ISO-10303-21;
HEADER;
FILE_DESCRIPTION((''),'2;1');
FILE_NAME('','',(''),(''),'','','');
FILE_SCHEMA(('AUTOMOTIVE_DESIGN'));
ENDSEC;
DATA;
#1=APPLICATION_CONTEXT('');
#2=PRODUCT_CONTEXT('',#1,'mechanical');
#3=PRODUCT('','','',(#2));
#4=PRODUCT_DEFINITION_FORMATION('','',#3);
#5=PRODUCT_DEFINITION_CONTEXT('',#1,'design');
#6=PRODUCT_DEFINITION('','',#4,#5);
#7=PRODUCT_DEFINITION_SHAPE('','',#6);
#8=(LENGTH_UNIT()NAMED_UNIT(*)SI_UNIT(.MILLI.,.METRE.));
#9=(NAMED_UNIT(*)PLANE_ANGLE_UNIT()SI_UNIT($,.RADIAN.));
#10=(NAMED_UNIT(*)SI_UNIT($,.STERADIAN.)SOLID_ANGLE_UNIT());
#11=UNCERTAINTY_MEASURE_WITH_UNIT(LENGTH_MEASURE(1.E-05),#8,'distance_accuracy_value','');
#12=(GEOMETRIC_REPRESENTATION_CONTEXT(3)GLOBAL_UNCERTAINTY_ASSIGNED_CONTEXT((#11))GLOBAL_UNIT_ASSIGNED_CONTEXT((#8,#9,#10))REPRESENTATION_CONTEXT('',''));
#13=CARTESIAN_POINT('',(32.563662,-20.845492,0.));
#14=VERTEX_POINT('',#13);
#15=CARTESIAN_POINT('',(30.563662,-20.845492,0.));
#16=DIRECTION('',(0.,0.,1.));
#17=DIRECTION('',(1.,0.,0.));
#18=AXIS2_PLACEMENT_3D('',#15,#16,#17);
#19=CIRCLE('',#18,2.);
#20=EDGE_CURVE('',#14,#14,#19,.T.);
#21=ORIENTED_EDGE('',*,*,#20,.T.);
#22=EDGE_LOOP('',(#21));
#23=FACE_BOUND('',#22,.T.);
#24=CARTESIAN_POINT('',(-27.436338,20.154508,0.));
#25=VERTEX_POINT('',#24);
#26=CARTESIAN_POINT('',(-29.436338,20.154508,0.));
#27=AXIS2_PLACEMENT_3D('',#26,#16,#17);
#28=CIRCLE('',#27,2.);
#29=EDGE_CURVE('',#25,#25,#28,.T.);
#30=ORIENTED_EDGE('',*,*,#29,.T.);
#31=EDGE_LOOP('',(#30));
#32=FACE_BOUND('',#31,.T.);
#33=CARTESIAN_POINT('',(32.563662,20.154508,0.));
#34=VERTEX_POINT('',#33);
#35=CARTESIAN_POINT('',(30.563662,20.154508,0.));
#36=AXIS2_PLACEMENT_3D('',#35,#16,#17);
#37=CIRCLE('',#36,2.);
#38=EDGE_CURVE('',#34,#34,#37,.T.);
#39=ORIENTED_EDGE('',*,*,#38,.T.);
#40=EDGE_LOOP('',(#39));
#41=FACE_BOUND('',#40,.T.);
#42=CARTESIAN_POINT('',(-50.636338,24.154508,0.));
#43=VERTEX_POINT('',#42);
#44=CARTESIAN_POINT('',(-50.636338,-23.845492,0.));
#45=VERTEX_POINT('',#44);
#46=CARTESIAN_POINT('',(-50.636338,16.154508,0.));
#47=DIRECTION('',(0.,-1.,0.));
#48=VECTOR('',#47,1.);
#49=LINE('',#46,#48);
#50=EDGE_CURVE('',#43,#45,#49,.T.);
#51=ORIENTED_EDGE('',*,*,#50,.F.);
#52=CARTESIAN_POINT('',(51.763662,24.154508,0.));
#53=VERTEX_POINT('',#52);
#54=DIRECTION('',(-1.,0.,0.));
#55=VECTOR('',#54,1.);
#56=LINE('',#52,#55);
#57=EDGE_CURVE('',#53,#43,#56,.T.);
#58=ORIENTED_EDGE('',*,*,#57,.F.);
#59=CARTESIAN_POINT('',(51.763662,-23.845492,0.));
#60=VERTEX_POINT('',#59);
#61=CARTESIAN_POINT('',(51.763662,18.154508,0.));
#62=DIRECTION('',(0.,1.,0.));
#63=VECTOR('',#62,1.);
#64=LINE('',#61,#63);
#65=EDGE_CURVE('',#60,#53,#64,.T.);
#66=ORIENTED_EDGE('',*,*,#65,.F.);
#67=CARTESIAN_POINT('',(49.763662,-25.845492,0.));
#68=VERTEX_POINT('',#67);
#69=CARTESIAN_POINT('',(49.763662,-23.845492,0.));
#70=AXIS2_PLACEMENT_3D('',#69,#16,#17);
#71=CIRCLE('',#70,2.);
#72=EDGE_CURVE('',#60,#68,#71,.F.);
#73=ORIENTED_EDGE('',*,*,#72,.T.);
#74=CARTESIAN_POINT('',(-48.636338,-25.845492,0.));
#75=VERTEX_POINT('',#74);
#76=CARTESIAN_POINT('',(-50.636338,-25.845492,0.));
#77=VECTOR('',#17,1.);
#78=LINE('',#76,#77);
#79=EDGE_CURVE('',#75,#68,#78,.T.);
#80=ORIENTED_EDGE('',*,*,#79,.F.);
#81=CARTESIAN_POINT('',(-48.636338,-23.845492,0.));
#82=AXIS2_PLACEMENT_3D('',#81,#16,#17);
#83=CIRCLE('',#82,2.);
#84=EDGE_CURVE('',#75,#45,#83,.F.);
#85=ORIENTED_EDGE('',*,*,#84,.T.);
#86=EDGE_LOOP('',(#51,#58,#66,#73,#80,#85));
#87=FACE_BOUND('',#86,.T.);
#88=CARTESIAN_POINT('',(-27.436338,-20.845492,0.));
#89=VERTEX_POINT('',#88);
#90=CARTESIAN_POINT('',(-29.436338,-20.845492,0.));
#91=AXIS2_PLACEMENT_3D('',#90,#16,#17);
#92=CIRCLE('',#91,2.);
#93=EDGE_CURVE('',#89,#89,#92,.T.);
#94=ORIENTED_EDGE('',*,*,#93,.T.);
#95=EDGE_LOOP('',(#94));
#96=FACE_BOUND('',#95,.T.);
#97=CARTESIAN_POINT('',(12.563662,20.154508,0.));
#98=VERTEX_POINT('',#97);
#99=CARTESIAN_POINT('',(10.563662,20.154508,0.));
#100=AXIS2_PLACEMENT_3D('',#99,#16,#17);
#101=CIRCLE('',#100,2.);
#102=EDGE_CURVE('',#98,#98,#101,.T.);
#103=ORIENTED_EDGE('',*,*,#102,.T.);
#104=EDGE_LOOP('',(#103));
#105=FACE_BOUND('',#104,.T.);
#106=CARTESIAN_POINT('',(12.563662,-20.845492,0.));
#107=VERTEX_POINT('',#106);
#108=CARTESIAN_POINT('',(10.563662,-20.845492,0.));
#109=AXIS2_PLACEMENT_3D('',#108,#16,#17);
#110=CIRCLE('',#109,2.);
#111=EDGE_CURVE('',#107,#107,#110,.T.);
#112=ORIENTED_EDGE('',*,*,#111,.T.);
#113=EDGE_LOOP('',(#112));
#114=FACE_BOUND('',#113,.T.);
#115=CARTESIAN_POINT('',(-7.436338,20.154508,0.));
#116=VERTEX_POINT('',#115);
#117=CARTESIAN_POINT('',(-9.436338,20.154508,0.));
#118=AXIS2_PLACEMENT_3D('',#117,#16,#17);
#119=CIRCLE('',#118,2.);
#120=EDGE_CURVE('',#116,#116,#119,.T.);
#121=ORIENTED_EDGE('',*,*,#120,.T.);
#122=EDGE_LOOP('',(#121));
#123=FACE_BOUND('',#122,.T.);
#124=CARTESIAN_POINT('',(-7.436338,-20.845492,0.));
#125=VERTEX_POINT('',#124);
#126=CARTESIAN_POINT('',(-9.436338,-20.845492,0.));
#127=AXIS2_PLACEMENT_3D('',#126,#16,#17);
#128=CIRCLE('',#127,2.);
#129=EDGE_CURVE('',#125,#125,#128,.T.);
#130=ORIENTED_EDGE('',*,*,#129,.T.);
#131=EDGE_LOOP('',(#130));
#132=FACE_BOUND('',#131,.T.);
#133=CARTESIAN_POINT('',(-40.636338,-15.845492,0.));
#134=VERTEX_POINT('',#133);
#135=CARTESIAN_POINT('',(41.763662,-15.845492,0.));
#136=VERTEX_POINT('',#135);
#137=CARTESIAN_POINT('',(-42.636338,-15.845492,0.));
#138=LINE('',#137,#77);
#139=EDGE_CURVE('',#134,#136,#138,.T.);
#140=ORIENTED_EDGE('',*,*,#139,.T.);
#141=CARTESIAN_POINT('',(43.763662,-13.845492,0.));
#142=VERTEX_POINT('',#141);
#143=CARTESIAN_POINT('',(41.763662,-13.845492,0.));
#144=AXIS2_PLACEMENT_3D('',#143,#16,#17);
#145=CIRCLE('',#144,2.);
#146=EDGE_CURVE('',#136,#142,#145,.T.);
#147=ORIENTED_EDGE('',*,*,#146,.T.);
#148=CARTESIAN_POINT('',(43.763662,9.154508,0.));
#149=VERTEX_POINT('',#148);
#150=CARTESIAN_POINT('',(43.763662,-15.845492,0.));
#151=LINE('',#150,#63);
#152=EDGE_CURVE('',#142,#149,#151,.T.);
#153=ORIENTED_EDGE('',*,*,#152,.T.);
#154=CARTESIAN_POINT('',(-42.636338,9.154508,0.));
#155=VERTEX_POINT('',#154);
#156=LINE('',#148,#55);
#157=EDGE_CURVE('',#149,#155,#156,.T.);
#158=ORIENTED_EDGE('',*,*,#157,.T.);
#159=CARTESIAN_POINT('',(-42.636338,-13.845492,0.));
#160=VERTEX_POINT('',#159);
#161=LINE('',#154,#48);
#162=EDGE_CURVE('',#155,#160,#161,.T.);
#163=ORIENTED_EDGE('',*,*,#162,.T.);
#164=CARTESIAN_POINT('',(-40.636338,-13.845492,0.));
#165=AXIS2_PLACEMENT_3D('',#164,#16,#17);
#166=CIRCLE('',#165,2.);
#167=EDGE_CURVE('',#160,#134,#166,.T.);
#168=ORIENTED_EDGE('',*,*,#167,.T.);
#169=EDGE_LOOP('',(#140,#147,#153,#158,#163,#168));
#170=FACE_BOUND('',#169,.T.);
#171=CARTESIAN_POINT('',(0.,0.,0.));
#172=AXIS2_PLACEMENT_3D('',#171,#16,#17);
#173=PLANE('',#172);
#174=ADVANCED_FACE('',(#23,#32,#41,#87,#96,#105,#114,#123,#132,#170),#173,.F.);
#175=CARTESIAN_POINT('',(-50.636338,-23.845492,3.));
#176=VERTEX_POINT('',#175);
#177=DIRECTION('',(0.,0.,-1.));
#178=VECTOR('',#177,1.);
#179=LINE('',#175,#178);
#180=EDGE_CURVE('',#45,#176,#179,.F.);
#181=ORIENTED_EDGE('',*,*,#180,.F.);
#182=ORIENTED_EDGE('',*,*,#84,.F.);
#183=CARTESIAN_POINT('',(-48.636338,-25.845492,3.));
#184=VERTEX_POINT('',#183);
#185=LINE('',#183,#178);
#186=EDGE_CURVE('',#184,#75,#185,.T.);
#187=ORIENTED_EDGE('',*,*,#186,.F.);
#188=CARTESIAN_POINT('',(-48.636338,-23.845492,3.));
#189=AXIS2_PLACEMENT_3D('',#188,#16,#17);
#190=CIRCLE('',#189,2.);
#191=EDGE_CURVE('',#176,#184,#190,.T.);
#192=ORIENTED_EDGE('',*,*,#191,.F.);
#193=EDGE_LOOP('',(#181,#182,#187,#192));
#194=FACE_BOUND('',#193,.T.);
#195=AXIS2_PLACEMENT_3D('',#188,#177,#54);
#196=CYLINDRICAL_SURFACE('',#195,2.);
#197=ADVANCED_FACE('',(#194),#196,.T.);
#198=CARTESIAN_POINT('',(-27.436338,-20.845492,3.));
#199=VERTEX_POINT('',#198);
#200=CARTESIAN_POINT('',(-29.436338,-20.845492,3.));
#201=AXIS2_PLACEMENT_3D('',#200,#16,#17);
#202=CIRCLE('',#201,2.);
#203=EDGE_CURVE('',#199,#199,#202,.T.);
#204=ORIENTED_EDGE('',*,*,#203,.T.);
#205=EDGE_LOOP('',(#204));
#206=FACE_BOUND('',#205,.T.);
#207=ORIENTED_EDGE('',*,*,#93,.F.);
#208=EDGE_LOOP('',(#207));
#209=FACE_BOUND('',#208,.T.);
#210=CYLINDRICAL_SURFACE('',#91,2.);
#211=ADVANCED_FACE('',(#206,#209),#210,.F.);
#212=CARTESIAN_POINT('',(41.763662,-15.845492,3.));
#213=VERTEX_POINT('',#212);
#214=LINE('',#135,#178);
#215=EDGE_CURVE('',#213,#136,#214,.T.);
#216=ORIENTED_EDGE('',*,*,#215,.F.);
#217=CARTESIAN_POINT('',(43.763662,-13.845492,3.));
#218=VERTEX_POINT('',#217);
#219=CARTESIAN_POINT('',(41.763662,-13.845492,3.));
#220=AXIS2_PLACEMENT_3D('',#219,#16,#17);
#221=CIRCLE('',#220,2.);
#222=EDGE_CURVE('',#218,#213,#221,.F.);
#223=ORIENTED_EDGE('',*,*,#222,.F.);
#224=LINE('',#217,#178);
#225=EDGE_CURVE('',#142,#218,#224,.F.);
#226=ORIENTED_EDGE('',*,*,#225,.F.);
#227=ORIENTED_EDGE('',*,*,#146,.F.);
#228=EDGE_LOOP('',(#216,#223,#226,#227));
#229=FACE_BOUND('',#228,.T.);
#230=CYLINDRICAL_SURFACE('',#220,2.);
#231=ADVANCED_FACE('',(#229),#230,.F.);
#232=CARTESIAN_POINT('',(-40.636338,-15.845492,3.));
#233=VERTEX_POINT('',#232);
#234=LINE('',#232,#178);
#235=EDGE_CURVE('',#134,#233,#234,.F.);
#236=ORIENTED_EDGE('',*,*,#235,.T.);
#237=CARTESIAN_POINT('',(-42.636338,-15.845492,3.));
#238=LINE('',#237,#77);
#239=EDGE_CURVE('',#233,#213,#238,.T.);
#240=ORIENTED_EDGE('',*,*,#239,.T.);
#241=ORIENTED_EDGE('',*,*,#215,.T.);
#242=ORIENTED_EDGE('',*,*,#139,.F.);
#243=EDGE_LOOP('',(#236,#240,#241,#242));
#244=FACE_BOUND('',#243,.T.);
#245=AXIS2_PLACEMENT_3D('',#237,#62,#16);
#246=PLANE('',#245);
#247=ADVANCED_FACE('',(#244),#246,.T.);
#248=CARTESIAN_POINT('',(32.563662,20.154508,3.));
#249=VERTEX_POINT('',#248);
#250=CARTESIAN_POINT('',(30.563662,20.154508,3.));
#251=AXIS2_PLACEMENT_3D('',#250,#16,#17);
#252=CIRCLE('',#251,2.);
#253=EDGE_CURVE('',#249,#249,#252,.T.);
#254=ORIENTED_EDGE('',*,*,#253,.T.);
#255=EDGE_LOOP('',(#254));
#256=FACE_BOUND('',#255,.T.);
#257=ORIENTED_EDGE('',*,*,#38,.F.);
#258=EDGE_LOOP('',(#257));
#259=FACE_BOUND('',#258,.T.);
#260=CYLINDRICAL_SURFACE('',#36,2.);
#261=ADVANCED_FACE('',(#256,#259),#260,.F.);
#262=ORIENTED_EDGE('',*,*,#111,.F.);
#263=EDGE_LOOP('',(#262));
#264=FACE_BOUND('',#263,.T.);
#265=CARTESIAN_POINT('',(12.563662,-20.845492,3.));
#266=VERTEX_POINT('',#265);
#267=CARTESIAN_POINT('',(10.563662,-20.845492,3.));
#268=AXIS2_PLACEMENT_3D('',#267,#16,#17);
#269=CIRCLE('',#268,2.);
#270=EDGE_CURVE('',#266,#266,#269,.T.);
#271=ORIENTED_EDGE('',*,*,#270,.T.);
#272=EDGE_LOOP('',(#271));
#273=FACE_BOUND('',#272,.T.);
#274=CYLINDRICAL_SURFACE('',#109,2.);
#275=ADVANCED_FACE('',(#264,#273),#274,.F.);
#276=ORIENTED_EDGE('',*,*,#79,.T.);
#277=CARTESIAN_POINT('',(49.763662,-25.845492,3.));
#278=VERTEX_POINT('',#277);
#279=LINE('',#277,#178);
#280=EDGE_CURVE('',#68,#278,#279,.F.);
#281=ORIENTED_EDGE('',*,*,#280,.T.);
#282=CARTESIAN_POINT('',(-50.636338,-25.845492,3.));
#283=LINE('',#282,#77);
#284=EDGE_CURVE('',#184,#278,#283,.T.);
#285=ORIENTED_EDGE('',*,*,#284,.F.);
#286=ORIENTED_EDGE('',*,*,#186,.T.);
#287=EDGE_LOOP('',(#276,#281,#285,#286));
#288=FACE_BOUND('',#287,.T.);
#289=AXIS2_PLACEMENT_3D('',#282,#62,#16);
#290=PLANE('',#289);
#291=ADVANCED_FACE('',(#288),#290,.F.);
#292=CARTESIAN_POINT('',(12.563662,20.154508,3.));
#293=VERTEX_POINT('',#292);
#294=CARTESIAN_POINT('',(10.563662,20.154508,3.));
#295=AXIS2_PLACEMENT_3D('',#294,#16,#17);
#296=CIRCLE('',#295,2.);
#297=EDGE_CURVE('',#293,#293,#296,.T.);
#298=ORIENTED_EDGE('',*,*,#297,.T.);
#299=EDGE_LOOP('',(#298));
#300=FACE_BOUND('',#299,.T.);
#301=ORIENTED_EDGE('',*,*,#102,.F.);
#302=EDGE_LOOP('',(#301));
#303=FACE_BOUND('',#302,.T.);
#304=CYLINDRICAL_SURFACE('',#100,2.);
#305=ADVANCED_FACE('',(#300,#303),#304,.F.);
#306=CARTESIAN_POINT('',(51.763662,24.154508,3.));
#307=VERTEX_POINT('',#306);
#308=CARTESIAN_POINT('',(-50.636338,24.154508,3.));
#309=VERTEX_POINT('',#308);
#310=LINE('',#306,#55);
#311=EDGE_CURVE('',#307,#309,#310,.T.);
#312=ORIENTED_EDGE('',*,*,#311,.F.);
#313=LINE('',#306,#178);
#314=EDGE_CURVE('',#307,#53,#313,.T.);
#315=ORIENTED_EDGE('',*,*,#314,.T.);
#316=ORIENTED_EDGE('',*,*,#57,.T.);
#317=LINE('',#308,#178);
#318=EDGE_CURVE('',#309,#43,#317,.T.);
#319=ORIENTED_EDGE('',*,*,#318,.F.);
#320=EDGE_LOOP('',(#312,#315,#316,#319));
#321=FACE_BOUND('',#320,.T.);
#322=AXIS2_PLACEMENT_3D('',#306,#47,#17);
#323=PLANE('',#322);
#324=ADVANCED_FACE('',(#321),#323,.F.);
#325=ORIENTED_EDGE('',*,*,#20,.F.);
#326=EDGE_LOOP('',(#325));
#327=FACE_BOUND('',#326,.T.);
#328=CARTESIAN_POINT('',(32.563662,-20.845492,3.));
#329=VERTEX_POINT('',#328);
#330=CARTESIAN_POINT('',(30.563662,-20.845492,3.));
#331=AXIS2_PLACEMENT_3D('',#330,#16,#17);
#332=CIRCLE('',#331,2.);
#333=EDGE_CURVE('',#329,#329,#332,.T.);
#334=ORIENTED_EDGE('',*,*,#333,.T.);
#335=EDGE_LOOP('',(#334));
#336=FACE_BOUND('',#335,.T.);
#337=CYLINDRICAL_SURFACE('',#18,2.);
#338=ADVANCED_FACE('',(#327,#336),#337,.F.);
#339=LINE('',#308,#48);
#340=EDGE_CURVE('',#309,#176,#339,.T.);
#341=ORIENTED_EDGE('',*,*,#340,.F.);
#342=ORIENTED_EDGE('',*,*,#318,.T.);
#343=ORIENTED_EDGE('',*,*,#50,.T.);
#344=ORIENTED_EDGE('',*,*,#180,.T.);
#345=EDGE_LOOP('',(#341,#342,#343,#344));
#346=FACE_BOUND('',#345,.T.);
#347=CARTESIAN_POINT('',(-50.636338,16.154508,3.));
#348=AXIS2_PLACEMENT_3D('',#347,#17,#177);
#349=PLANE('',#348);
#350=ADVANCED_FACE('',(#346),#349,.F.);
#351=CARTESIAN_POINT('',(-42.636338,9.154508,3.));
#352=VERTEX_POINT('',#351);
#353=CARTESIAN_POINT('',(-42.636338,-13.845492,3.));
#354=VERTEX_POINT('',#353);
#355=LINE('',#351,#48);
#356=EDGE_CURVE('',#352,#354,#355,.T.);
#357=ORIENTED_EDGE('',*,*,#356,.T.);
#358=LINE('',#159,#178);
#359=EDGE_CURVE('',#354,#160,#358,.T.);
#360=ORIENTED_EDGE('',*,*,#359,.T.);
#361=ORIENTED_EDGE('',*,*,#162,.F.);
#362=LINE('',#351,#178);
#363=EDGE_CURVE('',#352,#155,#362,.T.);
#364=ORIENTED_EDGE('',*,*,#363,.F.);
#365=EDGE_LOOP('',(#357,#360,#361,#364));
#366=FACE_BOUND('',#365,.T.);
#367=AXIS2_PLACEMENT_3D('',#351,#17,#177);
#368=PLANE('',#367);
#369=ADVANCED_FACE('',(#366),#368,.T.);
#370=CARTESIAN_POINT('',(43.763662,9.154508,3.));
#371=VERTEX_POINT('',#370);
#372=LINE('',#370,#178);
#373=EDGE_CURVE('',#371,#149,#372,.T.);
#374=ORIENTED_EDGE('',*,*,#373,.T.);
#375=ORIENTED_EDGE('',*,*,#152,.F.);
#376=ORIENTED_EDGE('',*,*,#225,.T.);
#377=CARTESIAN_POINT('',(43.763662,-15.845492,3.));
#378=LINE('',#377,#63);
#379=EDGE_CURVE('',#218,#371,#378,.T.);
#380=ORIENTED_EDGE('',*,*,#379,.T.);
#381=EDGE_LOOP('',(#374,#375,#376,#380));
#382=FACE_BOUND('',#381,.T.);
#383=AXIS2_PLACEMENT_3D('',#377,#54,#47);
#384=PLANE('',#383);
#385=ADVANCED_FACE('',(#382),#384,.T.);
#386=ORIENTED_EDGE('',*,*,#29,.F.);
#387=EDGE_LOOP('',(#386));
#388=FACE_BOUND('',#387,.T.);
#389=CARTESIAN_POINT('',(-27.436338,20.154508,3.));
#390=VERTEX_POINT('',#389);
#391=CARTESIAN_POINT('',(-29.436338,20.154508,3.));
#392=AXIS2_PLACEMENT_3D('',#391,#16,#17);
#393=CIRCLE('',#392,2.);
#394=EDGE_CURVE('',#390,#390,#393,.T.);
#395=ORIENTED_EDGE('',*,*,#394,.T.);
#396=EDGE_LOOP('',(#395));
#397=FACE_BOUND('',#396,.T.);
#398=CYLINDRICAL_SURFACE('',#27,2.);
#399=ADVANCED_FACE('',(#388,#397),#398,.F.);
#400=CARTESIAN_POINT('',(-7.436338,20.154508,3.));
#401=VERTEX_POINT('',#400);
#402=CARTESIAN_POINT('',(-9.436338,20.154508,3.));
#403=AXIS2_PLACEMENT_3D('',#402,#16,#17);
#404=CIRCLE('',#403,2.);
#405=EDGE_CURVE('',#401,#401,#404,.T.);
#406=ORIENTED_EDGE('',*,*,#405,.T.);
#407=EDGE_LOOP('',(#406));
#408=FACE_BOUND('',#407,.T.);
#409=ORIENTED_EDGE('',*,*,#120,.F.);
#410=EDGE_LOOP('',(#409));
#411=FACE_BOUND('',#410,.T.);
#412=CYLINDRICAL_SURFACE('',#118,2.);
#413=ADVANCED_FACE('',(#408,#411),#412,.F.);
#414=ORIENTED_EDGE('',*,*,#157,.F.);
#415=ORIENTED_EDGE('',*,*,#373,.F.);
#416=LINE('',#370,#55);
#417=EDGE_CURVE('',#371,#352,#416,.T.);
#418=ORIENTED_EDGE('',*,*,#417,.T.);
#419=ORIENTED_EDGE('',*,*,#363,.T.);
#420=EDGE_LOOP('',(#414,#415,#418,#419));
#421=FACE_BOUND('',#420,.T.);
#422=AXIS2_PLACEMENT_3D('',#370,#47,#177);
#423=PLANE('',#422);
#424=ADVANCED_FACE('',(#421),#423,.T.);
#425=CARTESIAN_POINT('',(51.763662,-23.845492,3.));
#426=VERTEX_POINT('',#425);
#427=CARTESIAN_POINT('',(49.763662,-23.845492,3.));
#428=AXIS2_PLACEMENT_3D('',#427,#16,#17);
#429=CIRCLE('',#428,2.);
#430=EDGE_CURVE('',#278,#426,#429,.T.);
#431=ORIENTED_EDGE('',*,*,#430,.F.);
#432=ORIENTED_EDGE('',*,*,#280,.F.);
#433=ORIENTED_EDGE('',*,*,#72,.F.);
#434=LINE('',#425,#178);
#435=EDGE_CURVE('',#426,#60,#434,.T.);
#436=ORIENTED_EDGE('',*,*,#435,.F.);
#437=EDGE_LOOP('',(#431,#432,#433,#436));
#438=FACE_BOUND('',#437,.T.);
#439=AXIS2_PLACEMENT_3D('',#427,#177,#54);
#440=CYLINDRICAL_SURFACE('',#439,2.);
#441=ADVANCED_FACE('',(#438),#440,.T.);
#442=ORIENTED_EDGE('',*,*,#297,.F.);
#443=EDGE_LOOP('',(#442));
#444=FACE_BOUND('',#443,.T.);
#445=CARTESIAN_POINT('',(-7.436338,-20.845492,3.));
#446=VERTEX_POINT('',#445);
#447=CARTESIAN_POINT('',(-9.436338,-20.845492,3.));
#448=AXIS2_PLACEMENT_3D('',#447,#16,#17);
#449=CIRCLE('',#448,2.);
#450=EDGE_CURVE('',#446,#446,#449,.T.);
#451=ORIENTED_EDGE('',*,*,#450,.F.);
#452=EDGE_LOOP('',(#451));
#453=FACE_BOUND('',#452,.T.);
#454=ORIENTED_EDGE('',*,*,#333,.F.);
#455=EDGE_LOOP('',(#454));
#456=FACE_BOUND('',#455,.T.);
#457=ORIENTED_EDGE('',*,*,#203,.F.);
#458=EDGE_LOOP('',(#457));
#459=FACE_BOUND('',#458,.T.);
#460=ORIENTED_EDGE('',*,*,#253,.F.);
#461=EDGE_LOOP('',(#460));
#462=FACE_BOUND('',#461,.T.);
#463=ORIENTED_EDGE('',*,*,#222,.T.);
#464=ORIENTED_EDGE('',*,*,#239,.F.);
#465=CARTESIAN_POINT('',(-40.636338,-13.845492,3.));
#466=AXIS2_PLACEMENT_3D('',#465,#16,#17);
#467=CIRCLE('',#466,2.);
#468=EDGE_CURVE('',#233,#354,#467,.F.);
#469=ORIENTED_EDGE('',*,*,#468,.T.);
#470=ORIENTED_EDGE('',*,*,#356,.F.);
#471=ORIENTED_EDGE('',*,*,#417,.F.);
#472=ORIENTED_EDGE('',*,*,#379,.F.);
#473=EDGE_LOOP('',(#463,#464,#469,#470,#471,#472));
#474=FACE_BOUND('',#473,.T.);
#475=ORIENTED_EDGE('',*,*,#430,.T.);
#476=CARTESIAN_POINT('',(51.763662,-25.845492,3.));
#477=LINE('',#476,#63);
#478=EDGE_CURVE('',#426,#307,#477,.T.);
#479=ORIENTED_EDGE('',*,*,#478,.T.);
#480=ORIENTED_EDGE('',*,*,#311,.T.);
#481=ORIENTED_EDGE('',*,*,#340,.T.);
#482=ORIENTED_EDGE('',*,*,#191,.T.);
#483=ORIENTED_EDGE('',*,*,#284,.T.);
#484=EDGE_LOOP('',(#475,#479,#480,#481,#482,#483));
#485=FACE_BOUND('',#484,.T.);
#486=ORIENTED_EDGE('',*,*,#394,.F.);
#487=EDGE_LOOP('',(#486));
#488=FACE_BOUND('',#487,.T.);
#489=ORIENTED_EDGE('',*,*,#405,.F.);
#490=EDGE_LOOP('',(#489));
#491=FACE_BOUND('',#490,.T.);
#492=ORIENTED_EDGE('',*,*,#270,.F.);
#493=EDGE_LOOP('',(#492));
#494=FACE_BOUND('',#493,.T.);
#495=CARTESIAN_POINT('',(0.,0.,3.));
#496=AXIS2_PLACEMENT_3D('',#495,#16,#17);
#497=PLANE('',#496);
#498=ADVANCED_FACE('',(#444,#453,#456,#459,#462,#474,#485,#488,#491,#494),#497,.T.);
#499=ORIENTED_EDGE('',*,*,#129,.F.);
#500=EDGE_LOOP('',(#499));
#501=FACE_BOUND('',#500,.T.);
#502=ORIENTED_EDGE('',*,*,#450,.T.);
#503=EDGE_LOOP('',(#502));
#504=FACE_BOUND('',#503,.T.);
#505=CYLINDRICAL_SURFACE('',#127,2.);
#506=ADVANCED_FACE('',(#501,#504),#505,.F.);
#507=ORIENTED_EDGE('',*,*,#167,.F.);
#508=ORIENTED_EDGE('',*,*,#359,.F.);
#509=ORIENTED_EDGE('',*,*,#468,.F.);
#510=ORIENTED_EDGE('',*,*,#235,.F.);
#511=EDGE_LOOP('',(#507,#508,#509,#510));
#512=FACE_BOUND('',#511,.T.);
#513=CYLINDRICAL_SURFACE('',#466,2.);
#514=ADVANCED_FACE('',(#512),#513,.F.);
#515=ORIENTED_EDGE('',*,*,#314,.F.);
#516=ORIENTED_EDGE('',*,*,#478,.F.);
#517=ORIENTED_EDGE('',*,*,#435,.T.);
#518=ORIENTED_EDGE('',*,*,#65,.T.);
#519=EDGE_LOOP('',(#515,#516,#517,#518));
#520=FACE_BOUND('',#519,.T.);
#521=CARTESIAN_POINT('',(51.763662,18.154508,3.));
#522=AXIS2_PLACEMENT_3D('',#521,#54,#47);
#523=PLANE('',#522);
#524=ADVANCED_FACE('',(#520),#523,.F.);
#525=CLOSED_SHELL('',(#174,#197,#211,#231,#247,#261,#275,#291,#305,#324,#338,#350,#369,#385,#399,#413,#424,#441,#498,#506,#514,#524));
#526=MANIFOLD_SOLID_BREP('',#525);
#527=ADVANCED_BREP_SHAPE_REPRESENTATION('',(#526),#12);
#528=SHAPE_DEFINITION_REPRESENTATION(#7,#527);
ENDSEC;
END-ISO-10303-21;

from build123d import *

# Parameters (mm, degrees)
SKETCH1_W               = 86.4
SKETCH1_H               = 25
BOSS_EXTRUDE1_DEPTH     = 3
CUT_EXTRUDE2_DEPTH      = 58.935016495
CUT_EXTRUDE2_DEPTH_BACK = 58.935016495
SKETCH2_R               = 2
FILLET1_R               = 2


with BuildPart() as part:
    # Sketch1 → Boss-Extrude1 (new body)
    with BuildSketch(Plane.XY):
        Polygon((-50.636338419, 24.154507628), (-50.636338419, 18.154507628), (-50.636338419, 16.154507628), (-50.636338419, -25.845492372), (51.763661581, -25.845492372), (51.763661581, 16.154507628), (51.763661581, 18.154507628), (51.763661581, 24.154507628), align=None)
        with Locations((0.563661581, -3.345492372)):
            Rectangle(SKETCH1_W, SKETCH1_H, mode=Mode.SUBTRACT)
    extrude(amount=BOSS_EXTRUDE1_DEPTH)

    # Sketch2 → Cut-Extrude2 (cut, two sides: drawn at the far end of the back side and taken through both)
    with BuildSketch(Plane.XY.offset(3).offset(-CUT_EXTRUDE2_DEPTH_BACK)):
        with Locations((-29.436338419, 20.154507628)):
            Circle(SKETCH2_R)
        with Locations((-29.436338419, -20.845492372)):
            Circle(SKETCH2_R)
        with Locations((-9.436338419, -20.845492372)):
            Circle(SKETCH2_R)
        with Locations((-9.436338419, 20.154507628)):
            Circle(SKETCH2_R)
        with Locations((10.563661581, -20.845492372)):
            Circle(SKETCH2_R)
        with Locations((10.563661581, 20.154507628)):
            Circle(SKETCH2_R)
        with Locations((30.563661581, -20.845492372)):
            Circle(SKETCH2_R)
        with Locations((30.563661581, 20.154507628)):
            Circle(SKETCH2_R)
    extrude(amount=CUT_EXTRUDE2_DEPTH + CUT_EXTRUDE2_DEPTH_BACK, mode=Mode.SUBTRACT)

    # Fillet1
    fillet1_edges = [part.edges().sort_by_distance(p)[0] for p in [
        (51.763661581, -25.845492372, 1.5),
        (-50.636338419, -25.845492372, 1.5),
        (-42.636338419, -15.845492372, 1.5),
        (43.763661581, -15.845492372, 1.5),
    ]]
    fillet(fillet1_edges, radius=FILLET1_R)


solid = part.part
